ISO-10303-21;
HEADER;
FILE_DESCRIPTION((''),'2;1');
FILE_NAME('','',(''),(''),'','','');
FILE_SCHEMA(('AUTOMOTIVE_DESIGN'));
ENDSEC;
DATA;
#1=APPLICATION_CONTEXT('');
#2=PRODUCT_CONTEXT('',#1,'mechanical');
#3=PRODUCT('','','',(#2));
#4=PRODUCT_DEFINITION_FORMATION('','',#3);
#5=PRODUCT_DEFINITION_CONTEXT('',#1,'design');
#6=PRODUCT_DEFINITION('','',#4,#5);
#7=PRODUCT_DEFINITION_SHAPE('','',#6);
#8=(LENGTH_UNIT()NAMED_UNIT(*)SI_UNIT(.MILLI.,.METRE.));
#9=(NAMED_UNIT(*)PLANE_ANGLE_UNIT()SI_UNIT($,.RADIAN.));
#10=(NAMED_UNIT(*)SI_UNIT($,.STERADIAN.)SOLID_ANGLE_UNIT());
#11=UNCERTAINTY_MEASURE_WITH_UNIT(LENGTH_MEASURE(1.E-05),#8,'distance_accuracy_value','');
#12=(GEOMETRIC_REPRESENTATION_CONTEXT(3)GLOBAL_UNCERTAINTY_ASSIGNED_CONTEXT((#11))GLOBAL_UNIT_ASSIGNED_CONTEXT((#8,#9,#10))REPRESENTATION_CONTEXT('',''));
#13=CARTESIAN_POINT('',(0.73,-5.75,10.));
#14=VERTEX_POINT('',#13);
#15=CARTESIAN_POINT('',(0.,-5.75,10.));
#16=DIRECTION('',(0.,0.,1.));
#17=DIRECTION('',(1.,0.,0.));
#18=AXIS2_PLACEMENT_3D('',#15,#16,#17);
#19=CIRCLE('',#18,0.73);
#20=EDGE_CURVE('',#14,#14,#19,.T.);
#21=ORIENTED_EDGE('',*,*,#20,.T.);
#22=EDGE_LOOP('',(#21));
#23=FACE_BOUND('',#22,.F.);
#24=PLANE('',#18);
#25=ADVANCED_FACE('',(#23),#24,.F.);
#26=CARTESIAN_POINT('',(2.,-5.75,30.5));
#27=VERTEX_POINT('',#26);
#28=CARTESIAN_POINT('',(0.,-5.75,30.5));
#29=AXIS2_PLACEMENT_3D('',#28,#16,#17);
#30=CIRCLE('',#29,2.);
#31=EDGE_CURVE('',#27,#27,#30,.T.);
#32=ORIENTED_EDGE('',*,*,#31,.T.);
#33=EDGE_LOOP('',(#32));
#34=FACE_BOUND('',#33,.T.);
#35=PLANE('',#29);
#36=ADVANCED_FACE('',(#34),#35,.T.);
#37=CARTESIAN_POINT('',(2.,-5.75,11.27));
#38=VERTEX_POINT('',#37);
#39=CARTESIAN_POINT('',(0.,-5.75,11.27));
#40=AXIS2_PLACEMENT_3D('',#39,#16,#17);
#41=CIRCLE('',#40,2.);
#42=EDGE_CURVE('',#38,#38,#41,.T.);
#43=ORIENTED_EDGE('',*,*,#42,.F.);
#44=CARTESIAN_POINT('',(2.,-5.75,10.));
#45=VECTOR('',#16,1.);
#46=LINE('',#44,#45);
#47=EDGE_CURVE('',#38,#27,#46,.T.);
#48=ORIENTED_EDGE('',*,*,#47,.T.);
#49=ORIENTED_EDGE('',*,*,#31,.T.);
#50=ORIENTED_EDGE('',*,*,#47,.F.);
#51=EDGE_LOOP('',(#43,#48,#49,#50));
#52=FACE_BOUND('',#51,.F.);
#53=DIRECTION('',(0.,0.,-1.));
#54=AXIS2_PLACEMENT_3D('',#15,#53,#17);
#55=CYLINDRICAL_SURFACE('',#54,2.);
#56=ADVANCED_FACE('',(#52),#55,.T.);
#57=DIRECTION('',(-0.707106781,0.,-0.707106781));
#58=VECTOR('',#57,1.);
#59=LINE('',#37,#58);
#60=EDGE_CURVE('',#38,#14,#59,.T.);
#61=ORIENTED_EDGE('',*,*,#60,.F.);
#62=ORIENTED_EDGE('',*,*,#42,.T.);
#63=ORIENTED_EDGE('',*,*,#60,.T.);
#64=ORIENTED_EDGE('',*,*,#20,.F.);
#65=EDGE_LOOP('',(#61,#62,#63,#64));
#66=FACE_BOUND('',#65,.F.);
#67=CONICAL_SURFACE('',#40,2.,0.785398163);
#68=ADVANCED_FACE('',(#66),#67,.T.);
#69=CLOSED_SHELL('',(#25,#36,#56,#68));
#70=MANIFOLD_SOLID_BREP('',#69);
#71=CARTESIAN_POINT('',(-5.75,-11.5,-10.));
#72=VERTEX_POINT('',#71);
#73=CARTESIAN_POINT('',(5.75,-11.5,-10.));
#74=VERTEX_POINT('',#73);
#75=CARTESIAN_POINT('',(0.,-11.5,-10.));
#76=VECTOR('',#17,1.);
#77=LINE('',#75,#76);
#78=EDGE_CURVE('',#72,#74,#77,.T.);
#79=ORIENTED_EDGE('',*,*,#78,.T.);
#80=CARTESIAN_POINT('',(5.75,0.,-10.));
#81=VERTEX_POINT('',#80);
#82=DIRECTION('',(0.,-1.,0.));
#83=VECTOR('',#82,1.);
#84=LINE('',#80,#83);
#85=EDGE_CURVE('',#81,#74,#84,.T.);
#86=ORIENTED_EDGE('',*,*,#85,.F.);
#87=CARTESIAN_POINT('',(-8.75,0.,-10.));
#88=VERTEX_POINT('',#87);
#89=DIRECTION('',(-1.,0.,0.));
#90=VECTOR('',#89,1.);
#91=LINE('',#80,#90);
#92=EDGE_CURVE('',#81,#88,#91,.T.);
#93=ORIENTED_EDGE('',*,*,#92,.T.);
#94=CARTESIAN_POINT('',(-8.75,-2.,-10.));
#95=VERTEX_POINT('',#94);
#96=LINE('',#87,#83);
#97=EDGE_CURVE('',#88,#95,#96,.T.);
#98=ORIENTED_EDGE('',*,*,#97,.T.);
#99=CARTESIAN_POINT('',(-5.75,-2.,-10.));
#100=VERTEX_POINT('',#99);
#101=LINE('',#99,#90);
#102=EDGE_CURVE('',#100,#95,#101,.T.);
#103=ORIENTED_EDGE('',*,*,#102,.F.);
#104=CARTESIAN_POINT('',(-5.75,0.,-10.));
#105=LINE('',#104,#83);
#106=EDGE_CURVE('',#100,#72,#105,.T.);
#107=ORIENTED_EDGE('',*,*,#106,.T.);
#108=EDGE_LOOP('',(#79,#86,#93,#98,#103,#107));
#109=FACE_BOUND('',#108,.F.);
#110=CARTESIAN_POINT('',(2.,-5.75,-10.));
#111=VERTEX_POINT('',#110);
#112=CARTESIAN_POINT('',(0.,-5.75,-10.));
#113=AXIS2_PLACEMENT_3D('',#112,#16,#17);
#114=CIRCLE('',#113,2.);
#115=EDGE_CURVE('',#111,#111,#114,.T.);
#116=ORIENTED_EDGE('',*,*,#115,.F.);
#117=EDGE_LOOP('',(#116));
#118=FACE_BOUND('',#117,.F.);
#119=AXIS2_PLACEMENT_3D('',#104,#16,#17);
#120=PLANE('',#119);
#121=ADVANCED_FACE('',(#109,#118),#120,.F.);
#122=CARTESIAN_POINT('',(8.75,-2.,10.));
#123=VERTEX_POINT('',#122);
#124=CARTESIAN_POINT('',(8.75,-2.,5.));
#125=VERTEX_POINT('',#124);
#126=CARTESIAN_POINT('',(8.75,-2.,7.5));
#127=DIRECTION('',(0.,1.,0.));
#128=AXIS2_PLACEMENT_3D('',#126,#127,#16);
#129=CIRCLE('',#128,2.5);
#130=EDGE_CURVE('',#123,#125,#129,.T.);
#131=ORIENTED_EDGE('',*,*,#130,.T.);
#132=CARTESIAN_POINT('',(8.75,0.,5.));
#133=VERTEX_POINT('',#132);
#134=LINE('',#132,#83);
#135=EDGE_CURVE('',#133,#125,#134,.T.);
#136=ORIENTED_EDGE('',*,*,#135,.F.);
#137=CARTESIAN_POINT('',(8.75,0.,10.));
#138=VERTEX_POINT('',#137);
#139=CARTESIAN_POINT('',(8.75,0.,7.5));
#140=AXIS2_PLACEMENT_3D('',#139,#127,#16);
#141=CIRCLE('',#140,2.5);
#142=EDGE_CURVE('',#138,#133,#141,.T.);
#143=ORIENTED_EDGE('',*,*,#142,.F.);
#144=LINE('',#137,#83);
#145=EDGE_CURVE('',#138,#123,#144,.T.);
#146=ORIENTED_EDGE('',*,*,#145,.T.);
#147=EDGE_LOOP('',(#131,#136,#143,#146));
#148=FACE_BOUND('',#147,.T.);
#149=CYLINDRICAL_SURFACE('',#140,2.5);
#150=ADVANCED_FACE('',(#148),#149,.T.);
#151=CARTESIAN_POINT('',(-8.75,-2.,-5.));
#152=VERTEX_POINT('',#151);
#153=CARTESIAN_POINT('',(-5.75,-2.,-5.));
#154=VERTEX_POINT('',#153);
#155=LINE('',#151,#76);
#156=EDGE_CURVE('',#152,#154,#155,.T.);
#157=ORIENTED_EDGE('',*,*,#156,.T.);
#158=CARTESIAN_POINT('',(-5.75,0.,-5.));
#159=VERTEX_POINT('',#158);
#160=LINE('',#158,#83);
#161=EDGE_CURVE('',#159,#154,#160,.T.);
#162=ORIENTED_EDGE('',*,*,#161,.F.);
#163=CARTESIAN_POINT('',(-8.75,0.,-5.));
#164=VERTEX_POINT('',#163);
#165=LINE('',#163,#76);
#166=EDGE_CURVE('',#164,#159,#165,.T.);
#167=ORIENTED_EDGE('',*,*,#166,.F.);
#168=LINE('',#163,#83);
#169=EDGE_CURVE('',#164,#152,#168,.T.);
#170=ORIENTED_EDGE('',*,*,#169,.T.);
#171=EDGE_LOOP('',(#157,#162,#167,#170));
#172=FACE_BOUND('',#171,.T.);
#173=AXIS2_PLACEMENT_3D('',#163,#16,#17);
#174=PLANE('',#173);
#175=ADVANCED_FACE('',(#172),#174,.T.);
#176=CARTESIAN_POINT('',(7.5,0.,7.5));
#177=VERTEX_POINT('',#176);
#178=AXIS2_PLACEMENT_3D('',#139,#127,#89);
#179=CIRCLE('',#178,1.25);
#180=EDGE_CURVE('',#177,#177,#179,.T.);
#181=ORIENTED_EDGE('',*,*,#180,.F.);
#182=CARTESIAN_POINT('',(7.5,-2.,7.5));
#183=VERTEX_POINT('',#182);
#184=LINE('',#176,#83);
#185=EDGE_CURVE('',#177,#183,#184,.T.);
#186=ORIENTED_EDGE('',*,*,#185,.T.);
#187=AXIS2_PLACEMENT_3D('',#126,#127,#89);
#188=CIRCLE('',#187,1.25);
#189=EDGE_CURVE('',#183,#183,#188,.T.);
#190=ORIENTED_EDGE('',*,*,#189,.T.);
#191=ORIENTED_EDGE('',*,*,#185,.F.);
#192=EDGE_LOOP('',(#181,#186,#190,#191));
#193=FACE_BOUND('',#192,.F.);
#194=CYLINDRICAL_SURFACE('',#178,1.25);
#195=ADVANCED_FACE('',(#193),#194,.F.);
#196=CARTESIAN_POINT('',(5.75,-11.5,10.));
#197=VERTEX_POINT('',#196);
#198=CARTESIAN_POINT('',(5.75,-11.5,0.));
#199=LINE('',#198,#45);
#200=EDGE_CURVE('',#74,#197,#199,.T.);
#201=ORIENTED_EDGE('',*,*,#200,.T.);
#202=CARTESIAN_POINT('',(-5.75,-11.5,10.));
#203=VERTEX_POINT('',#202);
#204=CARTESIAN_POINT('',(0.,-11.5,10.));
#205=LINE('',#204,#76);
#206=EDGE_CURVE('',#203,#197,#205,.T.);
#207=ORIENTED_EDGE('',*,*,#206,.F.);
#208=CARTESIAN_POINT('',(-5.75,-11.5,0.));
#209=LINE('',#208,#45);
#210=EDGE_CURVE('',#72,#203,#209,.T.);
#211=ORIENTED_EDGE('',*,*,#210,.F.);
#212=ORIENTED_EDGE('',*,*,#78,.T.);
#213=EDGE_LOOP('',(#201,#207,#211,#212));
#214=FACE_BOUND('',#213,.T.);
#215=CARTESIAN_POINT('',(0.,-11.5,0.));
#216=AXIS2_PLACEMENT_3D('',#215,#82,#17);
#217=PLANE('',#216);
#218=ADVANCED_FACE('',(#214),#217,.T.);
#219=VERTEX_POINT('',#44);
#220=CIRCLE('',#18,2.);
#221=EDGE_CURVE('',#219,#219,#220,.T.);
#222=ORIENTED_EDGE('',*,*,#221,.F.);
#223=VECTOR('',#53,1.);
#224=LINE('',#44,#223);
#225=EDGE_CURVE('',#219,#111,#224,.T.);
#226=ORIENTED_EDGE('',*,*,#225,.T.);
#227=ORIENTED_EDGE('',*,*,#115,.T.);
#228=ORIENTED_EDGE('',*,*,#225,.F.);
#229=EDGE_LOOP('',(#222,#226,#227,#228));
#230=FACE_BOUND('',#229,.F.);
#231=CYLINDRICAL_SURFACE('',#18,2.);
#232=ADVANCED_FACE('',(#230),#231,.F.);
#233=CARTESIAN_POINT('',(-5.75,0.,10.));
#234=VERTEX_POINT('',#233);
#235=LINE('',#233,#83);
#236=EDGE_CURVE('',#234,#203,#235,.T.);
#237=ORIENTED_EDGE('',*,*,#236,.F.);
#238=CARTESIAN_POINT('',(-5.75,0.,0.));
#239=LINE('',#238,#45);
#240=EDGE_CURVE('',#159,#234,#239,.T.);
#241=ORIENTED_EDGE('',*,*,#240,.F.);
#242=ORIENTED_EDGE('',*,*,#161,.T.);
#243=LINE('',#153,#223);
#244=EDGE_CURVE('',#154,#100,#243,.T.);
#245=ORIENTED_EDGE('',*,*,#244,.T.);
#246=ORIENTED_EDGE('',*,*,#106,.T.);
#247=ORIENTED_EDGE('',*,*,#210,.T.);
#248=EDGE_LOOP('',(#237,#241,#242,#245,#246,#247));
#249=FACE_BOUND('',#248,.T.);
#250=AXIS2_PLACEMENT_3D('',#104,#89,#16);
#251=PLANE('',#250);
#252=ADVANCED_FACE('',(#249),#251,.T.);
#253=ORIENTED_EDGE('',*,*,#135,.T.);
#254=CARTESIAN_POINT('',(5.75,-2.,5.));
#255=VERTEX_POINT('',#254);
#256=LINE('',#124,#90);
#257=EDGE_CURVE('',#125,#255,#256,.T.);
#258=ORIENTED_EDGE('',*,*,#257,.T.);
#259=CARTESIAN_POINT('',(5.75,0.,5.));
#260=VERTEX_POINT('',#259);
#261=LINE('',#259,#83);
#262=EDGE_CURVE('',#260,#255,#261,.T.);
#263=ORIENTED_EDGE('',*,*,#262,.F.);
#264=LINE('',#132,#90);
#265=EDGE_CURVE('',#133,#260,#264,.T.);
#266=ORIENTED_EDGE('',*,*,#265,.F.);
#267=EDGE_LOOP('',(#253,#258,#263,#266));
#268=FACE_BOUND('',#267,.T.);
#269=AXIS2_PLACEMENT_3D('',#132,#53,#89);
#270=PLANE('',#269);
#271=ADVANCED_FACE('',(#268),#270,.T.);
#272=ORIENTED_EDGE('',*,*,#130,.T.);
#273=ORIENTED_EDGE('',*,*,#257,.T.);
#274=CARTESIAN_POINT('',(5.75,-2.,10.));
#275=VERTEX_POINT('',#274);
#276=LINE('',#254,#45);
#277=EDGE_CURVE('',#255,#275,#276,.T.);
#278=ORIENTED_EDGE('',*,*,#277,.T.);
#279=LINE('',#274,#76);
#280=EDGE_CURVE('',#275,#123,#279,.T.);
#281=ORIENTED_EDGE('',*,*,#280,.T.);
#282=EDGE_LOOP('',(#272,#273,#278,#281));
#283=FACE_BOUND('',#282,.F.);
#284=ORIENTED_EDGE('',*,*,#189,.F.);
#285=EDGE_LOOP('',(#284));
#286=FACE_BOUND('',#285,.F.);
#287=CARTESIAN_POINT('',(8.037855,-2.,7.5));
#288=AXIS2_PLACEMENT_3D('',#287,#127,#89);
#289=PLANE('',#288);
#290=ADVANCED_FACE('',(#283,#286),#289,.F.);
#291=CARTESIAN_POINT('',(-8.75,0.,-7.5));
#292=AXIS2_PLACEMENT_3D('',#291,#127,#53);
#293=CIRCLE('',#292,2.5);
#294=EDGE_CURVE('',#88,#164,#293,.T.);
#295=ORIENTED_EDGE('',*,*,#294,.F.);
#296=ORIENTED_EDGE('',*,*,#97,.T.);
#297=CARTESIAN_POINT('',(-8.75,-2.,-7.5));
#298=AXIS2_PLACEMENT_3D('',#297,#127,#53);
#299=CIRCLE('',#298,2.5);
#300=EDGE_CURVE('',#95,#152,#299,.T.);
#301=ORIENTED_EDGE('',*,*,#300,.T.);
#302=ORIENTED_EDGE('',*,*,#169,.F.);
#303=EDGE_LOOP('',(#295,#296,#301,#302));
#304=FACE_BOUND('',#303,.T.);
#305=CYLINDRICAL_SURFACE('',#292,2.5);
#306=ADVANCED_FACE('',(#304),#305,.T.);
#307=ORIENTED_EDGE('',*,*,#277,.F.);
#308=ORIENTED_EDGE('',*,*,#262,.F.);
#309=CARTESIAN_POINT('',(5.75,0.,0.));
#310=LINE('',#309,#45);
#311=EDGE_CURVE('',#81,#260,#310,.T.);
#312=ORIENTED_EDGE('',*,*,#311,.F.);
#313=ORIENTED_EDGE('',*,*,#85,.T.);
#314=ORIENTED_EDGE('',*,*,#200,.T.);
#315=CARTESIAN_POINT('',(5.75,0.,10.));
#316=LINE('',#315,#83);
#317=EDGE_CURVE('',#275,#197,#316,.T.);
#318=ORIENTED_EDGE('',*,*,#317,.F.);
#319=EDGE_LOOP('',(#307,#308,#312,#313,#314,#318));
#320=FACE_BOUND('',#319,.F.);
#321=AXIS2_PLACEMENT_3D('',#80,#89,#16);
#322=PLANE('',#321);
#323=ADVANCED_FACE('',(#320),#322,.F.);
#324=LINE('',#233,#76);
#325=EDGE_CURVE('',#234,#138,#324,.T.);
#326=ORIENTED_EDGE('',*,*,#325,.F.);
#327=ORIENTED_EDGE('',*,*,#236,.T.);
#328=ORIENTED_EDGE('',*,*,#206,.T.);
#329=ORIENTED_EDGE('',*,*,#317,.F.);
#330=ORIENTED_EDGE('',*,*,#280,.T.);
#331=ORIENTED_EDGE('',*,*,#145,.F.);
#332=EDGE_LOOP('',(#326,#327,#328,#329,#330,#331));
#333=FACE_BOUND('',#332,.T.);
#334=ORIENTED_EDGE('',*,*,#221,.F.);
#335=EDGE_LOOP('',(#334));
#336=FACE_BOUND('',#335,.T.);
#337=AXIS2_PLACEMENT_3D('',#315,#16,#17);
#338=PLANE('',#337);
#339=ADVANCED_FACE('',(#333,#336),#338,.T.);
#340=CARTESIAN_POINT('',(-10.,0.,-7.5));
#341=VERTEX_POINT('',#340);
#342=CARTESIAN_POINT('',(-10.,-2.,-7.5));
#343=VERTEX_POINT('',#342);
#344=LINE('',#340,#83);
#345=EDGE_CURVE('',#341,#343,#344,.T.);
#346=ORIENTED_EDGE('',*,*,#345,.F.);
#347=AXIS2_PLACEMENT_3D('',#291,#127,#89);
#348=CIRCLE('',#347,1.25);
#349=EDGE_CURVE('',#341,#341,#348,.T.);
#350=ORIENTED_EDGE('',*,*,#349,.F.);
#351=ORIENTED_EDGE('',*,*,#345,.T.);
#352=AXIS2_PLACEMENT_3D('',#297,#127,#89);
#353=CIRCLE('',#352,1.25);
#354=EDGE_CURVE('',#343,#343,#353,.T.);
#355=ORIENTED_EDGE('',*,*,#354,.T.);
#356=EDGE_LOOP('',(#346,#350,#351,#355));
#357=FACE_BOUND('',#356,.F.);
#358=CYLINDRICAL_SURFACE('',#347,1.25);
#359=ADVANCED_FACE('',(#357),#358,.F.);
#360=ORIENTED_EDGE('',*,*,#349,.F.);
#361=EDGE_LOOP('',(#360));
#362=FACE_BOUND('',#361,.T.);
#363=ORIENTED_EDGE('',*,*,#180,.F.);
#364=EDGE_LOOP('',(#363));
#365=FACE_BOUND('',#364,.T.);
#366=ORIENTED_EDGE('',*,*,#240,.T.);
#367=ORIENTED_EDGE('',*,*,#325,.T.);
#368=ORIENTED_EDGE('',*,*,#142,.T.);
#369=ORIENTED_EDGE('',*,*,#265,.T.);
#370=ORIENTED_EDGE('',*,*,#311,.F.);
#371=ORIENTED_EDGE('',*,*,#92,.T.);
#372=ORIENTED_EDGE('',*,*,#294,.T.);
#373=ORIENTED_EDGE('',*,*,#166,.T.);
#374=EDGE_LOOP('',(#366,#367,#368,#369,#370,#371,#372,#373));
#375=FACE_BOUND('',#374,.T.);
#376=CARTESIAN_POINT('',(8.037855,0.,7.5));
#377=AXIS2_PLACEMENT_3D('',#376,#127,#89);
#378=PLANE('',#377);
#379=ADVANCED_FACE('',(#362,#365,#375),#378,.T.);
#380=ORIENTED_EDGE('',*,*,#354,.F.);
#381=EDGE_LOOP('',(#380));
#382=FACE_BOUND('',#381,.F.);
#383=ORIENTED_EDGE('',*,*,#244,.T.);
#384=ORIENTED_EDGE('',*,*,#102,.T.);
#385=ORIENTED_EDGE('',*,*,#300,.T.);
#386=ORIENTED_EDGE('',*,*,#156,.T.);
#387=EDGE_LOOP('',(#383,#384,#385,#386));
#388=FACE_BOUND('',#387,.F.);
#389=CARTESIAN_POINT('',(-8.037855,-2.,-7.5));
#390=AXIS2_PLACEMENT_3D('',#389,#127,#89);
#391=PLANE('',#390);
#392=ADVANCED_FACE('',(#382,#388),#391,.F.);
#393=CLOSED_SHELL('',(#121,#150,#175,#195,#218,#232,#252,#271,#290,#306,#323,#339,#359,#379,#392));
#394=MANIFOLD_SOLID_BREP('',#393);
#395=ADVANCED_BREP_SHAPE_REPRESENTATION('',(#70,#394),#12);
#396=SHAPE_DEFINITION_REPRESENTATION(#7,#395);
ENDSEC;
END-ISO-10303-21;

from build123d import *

# Parameters (mm, degrees)
F0_W     = 11.5
F0_H     = 20
F1_DEPTH = 11.5
F2_R     = 1.25
F3_DEPTH = 2
F4_R     = 2
F5_DEPTH = 20.001
F6_DEPTH = 20.5
F7_SIZE2 = 1.27
F7_SIZE  = 1.27


with BuildPart() as f1:
    # F0 (on Front) → F1 (new body)
    with BuildSketch(Plane.XZ):
        Rectangle(F0_W, F0_H)
    extrude(amount=F1_DEPTH)

    # F2 (on face) → F3 (join)
    with BuildSketch(Plane(origin=(0, 0, 0), x_dir=(-1, 0, 0), z_dir=(0, 1, 0))):
        with BuildLine():
            Line((-5.75, 5), (-5.75, 10))
            Line((-5.75, 10), (-8.75, 10))
            ThreePointArc((-8.75, 10), (-11.25, 7.5), (-8.75, 5))
            Line((-8.75, 5), (-5.75, 5))
        make_face()
        with Locations((-8.75, 7.5)):
            Circle(F2_R, mode=Mode.SUBTRACT)
        with BuildLine():
            Line((8.75, -5), (5.75, -5))
            Line((5.75, -5), (5.75, -10))
            Line((5.75, -10), (8.75, -10))
            ThreePointArc((8.75, -10), (11.25, -7.5), (8.75, -5))
        make_face()
        with Locations((8.75, -7.5)):
            Circle(F2_R, mode=Mode.SUBTRACT)
    extrude(amount=-F3_DEPTH)

    # F4 (on face) → F5 (cut, through all)
    with BuildSketch(Plane.XY.offset(10)):
        with Locations((0, -5.75)):
            Circle(F4_R)
    extrude(amount=-F5_DEPTH, mode=Mode.SUBTRACT)


with BuildPart() as f6:
    # F4 (on face) → F6 (new body)
    with BuildSketch(Plane.XY.offset(10)):
        with Locations((0, -5.75)):
            Circle(F4_R)
    extrude(amount=F6_DEPTH)

    # F7
    f7_edges = [f6.edges().sort_by_distance(p)[0] for p in [
        (-2, -5.75, 10),
    ]]
    chamfer(f7_edges, length=F7_SIZE, length2=F7_SIZE2)


solid = Compound([f1.part, f6.part])
